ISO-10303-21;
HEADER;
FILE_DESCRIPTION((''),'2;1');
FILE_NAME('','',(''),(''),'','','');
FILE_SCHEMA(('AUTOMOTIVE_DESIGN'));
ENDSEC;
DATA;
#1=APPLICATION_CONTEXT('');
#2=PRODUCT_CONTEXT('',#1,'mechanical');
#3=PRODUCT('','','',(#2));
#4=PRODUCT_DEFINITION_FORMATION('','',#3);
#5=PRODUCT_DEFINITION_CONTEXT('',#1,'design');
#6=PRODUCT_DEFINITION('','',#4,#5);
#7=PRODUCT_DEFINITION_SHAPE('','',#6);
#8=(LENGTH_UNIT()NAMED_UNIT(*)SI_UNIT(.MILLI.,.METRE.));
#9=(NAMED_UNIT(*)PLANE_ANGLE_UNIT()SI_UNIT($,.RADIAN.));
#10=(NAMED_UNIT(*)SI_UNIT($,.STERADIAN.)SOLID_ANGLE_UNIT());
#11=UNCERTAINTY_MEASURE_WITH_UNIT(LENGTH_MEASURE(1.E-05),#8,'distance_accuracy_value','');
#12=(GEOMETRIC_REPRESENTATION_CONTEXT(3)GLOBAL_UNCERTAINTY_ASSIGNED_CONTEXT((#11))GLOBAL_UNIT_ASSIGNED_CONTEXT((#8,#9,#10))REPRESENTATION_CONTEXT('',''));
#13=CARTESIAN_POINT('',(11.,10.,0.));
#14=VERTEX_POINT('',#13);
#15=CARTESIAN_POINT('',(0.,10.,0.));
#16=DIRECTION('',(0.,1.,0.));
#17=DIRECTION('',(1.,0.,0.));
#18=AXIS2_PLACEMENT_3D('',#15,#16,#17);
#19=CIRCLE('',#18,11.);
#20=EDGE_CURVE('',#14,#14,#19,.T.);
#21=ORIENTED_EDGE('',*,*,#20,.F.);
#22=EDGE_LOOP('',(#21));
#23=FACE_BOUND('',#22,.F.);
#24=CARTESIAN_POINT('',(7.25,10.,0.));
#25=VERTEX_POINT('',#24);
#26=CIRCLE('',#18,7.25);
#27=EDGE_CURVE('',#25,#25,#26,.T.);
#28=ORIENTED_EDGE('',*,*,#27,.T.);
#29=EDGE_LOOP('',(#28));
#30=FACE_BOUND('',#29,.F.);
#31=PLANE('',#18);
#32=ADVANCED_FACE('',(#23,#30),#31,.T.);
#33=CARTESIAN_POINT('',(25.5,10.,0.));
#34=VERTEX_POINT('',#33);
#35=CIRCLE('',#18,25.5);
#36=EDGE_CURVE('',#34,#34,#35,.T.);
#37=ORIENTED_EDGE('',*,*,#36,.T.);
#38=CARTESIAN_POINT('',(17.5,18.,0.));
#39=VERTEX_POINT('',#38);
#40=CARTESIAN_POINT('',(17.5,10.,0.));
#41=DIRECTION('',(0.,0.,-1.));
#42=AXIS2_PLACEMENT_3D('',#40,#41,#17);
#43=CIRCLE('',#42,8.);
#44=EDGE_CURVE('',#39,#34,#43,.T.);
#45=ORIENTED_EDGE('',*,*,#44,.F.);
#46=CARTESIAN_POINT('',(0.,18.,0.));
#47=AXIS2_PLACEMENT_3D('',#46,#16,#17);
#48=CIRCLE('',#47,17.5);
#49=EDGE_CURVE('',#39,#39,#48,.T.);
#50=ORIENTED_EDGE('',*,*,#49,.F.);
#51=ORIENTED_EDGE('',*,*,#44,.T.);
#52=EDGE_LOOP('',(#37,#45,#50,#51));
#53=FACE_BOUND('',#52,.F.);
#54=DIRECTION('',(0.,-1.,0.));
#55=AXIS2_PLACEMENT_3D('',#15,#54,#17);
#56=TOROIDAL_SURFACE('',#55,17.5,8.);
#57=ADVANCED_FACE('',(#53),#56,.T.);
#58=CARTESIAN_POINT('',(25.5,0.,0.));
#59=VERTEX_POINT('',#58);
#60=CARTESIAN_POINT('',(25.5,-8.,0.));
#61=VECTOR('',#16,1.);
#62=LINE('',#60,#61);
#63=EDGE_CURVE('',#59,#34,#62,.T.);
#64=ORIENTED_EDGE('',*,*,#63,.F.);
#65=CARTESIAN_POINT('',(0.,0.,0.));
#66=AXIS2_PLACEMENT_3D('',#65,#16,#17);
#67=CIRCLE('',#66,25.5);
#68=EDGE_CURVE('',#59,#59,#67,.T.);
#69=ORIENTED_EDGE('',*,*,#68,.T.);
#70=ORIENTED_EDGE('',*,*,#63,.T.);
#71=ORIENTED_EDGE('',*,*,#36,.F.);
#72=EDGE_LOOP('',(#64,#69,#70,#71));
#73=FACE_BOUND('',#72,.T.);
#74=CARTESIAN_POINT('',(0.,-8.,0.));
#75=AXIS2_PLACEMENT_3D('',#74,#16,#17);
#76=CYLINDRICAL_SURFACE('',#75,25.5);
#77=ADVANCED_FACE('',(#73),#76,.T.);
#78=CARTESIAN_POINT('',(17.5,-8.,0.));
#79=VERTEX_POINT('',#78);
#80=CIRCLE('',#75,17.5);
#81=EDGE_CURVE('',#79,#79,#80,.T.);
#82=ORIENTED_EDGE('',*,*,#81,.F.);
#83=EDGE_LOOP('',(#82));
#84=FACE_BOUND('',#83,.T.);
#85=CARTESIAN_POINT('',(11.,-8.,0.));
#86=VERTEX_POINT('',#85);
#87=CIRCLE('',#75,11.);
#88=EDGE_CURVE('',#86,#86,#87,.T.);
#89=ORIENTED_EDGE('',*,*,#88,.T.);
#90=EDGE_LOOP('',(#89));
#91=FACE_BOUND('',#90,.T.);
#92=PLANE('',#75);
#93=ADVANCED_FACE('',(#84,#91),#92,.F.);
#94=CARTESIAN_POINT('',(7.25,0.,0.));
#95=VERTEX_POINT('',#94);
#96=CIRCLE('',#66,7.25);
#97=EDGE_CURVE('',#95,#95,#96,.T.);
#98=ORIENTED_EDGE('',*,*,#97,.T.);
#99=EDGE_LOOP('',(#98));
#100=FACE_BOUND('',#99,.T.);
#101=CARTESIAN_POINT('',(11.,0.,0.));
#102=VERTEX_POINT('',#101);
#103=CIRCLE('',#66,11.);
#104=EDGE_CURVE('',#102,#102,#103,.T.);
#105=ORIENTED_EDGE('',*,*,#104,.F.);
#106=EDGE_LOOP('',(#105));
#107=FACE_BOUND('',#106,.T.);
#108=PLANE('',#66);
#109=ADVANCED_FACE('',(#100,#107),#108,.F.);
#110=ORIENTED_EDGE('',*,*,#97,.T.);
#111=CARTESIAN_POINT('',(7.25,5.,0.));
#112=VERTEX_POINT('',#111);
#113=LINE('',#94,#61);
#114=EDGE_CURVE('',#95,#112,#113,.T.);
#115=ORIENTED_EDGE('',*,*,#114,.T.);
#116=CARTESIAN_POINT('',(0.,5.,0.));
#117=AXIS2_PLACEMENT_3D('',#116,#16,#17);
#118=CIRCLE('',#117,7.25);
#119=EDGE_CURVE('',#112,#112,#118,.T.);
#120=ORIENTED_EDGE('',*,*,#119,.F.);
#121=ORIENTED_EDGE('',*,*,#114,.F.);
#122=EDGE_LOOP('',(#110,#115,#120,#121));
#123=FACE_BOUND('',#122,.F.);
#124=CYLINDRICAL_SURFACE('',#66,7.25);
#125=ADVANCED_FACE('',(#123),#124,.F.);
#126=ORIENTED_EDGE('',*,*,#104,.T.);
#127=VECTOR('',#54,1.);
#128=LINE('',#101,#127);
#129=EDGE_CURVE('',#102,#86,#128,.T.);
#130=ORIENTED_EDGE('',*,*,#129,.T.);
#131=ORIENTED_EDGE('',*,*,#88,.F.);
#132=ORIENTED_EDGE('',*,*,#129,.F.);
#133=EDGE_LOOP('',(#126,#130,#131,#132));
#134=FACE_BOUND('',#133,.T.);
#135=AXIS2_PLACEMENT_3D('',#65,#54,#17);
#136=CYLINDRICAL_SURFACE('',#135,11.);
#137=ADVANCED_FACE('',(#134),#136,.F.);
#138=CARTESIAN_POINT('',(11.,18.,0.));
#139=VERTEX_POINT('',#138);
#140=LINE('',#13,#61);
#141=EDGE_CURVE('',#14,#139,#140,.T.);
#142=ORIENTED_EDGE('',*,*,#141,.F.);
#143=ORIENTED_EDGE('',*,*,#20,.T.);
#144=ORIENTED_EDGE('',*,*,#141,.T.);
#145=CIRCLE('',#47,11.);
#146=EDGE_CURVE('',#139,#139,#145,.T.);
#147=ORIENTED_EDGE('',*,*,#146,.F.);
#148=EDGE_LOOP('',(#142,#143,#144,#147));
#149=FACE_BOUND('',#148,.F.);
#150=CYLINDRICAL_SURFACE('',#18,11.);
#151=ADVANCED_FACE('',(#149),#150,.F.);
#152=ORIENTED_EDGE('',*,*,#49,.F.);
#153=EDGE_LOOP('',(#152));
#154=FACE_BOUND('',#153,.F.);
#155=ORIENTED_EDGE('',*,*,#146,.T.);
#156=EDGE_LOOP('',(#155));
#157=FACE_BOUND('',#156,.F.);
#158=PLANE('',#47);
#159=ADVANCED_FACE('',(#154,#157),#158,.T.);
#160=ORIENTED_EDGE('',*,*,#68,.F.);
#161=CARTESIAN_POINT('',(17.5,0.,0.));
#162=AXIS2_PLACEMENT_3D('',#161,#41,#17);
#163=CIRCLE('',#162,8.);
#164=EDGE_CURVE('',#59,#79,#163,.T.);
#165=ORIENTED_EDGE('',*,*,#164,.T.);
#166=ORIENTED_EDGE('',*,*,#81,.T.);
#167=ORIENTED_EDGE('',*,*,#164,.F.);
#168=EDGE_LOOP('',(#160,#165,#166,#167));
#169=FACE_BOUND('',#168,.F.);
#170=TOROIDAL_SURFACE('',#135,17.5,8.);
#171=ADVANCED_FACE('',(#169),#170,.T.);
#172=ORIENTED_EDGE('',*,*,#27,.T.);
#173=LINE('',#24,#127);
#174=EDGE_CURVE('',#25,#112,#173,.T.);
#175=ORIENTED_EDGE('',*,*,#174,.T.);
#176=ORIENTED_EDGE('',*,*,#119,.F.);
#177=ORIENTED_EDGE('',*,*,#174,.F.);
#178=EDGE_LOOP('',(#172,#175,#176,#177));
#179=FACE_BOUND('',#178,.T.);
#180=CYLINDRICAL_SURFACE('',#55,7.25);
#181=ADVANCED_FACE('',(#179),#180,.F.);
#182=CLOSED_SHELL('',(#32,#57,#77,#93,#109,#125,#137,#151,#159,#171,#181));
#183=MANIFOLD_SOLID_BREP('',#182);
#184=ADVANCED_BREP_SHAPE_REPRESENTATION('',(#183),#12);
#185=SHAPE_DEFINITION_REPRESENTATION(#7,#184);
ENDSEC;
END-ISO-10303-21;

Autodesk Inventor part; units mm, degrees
ref_plane "YZ Plane" through (0, 0, 0) normal (1, 0, 0) x (0, 1, 0)
ref_plane "XZ Plane" through (0, 0, 0) normal (0, 1, 0) x (-1, 0, 0)
ref_plane "XY Plane" through (0, 0, 0) normal (0, 0, 1) x (1, 0, 0)
sketch "Schizzo1" plane through (0, 0, 0) normal (0, 0, 1) x (1, 0, 0)
  line L0 (0, 0) -> (0, 14.5631) construction
  line L1 (0, 0) -> (7.25, 0) construction
  line L2 (7.25, 10) -> (11, 10)
  line L3 (11, 10) -> (11, 18)
  line L4 (11, 18) -> (25.5, 18)
  line L5 (7.25, 10) -> (7.25, 5)
  line L6 (0, 10) -> (7.25, 10) construction
  line L7 (7.25, 0) -> (11, 0)
  line L8 (11, 0) -> (11, -8)
  line L9 (11, -8) -> (25.5, -8)
  line L10 (7.25, 0) -> (7.25, 5)
  line L11 (7.25, 10) -> (7.25, 5)
  line L12 (25.5, -8) -> (25.5, 18)
  dimension "d0" = 7.25
  dimension "d1" = 10
  dimension "d2" = 11
  dimension "d3" = 8
  dimension "d4" = 25.5
revolve "Rivoluzione2" add sketch "Schizzo1" angle 360 about axis through (0, 0, 0) along (0, 1, 0)
fillet "Raccordo2" radius 8 2 edges at (-25.5, 18, 0) (-25.5, -8, 0)
properties part number "Ruota"
